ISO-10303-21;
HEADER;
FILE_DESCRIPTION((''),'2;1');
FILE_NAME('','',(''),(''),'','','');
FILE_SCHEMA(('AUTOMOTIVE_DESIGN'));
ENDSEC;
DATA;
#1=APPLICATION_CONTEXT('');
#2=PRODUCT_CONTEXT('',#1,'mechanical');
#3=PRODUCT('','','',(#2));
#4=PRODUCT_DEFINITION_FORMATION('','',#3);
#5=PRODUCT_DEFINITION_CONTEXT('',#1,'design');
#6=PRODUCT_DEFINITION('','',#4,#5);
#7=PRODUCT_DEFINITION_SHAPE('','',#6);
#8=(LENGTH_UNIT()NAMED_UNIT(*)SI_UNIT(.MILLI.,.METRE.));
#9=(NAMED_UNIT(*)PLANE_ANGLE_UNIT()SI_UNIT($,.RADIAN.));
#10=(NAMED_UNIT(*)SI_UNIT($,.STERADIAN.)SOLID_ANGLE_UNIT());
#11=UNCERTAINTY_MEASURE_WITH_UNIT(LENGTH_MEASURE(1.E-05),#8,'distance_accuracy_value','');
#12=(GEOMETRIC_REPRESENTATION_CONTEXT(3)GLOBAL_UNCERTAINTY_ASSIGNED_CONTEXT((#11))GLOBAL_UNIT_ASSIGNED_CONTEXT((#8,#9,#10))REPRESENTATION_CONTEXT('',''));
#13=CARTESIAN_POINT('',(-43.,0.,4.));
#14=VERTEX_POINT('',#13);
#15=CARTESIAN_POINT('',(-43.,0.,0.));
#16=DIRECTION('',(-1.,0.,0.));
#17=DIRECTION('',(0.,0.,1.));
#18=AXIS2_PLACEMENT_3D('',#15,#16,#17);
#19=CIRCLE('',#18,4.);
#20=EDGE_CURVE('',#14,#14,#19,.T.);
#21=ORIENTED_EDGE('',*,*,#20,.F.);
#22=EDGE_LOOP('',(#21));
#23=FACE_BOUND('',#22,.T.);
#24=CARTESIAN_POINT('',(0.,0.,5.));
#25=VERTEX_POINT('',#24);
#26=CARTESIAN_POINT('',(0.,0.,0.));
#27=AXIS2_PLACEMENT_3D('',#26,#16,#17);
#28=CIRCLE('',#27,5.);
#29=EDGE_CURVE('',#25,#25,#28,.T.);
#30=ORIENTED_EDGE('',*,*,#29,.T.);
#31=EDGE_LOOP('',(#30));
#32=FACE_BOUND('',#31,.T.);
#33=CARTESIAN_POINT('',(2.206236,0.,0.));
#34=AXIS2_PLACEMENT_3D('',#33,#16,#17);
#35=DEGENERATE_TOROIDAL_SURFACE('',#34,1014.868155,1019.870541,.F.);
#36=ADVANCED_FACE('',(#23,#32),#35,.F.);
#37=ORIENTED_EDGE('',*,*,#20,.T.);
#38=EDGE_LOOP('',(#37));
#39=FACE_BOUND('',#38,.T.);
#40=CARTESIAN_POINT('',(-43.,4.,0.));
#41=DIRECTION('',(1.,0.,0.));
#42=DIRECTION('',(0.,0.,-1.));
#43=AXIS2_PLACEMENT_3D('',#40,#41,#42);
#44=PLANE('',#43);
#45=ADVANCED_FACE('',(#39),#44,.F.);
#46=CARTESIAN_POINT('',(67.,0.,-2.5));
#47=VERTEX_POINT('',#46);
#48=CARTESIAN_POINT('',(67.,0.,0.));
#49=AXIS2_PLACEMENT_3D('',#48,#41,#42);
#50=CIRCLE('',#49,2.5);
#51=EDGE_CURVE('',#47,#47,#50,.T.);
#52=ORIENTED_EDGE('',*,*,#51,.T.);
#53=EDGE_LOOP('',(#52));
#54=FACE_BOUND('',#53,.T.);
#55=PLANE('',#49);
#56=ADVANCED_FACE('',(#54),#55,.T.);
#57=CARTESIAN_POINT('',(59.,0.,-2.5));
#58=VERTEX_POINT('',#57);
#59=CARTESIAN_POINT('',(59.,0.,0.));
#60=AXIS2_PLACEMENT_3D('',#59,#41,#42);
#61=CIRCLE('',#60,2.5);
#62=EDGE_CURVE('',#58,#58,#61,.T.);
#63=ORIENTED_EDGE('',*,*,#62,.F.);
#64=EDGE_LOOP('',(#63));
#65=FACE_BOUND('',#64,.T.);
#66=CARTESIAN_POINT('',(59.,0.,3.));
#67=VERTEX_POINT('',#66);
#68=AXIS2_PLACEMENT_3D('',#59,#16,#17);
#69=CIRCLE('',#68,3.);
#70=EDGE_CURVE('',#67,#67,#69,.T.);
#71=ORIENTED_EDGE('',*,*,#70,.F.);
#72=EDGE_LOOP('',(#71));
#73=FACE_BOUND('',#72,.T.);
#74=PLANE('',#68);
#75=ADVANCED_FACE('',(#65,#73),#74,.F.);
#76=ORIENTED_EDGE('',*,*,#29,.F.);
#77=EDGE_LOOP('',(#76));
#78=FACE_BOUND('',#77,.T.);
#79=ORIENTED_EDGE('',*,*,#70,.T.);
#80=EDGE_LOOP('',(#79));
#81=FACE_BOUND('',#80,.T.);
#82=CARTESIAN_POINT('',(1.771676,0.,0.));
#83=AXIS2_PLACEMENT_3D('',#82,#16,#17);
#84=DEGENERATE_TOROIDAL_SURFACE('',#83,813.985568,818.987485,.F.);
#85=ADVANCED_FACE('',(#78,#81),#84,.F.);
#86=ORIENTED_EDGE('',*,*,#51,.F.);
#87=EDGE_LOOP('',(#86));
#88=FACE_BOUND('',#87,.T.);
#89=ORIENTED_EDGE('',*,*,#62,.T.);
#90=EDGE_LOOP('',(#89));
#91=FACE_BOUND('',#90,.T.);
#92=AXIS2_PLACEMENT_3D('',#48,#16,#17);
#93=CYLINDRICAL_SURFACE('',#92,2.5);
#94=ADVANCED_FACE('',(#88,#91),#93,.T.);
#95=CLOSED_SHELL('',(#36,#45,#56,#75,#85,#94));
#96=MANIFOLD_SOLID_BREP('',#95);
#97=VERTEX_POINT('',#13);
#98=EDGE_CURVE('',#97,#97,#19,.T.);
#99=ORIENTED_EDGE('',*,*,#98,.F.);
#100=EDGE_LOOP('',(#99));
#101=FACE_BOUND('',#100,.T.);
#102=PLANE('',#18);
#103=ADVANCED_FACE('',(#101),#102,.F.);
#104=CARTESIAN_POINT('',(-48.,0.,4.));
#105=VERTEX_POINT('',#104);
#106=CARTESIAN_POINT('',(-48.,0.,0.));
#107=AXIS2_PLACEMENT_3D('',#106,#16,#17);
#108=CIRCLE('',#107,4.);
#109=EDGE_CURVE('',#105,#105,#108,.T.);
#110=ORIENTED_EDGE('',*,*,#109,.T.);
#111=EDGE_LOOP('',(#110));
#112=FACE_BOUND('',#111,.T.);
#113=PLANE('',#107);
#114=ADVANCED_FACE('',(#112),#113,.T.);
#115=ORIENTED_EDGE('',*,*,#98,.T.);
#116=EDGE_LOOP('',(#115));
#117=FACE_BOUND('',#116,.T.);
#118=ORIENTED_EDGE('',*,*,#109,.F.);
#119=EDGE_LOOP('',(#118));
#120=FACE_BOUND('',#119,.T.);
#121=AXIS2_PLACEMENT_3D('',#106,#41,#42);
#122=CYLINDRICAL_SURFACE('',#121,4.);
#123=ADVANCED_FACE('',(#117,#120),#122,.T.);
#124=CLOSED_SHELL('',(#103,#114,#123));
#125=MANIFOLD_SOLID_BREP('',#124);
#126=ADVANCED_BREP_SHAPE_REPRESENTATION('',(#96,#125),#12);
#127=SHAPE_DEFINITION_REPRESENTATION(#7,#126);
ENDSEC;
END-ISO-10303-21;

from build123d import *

# Parameters (mm, degrees)
SKETCH2_R           = 4
BOSS_EXTRUDE1_DEPTH = 5
SKETCH3_R           = 2.5
BOSS_EXTRUDE2_DEPTH = 8


with BuildPart() as part:
    # Sketch1 → Revolve1 (revolve)
    with BuildSketch(Plane.XY, mode=Mode.PRIVATE) as revolve1_sk:
        with BuildLine():
            Line((-43, 4), (-43, 0))
            Line((-43, 0), (0, 0))
            Line((0, 0), (59, 0))
            Line((59, 0), (59, 3))
            ThreePointArc((59, 3), (29.518026244, 4.531774184), (0, 5))
            ThreePointArc((0, 5), (-21.505272288, 4.726708379), (-43, 4))
        make_face()
    revolve(revolve1_sk.sketch.rotate(Axis((0, 0, 0), (1, 0, 0)), 90), axis=Axis((0, 0, 0), (1, 0, 0)))

    # Sketch3 → Boss-Extrude2 (add)
    with BuildSketch(Plane(origin=(59, 0, 0), x_dir=(0, 0, -1), z_dir=(1, 0, 0))):
        Circle(SKETCH3_R)
    extrude(amount=BOSS_EXTRUDE2_DEPTH)


with BuildPart() as body_2:
    # Sketch2 → Boss-Extrude1 (new body)
    with BuildSketch(Plane.ZY.offset(43)):
        Circle(SKETCH2_R)
    extrude(amount=BOSS_EXTRUDE1_DEPTH)


solid = Compound([part.part, body_2.part])
